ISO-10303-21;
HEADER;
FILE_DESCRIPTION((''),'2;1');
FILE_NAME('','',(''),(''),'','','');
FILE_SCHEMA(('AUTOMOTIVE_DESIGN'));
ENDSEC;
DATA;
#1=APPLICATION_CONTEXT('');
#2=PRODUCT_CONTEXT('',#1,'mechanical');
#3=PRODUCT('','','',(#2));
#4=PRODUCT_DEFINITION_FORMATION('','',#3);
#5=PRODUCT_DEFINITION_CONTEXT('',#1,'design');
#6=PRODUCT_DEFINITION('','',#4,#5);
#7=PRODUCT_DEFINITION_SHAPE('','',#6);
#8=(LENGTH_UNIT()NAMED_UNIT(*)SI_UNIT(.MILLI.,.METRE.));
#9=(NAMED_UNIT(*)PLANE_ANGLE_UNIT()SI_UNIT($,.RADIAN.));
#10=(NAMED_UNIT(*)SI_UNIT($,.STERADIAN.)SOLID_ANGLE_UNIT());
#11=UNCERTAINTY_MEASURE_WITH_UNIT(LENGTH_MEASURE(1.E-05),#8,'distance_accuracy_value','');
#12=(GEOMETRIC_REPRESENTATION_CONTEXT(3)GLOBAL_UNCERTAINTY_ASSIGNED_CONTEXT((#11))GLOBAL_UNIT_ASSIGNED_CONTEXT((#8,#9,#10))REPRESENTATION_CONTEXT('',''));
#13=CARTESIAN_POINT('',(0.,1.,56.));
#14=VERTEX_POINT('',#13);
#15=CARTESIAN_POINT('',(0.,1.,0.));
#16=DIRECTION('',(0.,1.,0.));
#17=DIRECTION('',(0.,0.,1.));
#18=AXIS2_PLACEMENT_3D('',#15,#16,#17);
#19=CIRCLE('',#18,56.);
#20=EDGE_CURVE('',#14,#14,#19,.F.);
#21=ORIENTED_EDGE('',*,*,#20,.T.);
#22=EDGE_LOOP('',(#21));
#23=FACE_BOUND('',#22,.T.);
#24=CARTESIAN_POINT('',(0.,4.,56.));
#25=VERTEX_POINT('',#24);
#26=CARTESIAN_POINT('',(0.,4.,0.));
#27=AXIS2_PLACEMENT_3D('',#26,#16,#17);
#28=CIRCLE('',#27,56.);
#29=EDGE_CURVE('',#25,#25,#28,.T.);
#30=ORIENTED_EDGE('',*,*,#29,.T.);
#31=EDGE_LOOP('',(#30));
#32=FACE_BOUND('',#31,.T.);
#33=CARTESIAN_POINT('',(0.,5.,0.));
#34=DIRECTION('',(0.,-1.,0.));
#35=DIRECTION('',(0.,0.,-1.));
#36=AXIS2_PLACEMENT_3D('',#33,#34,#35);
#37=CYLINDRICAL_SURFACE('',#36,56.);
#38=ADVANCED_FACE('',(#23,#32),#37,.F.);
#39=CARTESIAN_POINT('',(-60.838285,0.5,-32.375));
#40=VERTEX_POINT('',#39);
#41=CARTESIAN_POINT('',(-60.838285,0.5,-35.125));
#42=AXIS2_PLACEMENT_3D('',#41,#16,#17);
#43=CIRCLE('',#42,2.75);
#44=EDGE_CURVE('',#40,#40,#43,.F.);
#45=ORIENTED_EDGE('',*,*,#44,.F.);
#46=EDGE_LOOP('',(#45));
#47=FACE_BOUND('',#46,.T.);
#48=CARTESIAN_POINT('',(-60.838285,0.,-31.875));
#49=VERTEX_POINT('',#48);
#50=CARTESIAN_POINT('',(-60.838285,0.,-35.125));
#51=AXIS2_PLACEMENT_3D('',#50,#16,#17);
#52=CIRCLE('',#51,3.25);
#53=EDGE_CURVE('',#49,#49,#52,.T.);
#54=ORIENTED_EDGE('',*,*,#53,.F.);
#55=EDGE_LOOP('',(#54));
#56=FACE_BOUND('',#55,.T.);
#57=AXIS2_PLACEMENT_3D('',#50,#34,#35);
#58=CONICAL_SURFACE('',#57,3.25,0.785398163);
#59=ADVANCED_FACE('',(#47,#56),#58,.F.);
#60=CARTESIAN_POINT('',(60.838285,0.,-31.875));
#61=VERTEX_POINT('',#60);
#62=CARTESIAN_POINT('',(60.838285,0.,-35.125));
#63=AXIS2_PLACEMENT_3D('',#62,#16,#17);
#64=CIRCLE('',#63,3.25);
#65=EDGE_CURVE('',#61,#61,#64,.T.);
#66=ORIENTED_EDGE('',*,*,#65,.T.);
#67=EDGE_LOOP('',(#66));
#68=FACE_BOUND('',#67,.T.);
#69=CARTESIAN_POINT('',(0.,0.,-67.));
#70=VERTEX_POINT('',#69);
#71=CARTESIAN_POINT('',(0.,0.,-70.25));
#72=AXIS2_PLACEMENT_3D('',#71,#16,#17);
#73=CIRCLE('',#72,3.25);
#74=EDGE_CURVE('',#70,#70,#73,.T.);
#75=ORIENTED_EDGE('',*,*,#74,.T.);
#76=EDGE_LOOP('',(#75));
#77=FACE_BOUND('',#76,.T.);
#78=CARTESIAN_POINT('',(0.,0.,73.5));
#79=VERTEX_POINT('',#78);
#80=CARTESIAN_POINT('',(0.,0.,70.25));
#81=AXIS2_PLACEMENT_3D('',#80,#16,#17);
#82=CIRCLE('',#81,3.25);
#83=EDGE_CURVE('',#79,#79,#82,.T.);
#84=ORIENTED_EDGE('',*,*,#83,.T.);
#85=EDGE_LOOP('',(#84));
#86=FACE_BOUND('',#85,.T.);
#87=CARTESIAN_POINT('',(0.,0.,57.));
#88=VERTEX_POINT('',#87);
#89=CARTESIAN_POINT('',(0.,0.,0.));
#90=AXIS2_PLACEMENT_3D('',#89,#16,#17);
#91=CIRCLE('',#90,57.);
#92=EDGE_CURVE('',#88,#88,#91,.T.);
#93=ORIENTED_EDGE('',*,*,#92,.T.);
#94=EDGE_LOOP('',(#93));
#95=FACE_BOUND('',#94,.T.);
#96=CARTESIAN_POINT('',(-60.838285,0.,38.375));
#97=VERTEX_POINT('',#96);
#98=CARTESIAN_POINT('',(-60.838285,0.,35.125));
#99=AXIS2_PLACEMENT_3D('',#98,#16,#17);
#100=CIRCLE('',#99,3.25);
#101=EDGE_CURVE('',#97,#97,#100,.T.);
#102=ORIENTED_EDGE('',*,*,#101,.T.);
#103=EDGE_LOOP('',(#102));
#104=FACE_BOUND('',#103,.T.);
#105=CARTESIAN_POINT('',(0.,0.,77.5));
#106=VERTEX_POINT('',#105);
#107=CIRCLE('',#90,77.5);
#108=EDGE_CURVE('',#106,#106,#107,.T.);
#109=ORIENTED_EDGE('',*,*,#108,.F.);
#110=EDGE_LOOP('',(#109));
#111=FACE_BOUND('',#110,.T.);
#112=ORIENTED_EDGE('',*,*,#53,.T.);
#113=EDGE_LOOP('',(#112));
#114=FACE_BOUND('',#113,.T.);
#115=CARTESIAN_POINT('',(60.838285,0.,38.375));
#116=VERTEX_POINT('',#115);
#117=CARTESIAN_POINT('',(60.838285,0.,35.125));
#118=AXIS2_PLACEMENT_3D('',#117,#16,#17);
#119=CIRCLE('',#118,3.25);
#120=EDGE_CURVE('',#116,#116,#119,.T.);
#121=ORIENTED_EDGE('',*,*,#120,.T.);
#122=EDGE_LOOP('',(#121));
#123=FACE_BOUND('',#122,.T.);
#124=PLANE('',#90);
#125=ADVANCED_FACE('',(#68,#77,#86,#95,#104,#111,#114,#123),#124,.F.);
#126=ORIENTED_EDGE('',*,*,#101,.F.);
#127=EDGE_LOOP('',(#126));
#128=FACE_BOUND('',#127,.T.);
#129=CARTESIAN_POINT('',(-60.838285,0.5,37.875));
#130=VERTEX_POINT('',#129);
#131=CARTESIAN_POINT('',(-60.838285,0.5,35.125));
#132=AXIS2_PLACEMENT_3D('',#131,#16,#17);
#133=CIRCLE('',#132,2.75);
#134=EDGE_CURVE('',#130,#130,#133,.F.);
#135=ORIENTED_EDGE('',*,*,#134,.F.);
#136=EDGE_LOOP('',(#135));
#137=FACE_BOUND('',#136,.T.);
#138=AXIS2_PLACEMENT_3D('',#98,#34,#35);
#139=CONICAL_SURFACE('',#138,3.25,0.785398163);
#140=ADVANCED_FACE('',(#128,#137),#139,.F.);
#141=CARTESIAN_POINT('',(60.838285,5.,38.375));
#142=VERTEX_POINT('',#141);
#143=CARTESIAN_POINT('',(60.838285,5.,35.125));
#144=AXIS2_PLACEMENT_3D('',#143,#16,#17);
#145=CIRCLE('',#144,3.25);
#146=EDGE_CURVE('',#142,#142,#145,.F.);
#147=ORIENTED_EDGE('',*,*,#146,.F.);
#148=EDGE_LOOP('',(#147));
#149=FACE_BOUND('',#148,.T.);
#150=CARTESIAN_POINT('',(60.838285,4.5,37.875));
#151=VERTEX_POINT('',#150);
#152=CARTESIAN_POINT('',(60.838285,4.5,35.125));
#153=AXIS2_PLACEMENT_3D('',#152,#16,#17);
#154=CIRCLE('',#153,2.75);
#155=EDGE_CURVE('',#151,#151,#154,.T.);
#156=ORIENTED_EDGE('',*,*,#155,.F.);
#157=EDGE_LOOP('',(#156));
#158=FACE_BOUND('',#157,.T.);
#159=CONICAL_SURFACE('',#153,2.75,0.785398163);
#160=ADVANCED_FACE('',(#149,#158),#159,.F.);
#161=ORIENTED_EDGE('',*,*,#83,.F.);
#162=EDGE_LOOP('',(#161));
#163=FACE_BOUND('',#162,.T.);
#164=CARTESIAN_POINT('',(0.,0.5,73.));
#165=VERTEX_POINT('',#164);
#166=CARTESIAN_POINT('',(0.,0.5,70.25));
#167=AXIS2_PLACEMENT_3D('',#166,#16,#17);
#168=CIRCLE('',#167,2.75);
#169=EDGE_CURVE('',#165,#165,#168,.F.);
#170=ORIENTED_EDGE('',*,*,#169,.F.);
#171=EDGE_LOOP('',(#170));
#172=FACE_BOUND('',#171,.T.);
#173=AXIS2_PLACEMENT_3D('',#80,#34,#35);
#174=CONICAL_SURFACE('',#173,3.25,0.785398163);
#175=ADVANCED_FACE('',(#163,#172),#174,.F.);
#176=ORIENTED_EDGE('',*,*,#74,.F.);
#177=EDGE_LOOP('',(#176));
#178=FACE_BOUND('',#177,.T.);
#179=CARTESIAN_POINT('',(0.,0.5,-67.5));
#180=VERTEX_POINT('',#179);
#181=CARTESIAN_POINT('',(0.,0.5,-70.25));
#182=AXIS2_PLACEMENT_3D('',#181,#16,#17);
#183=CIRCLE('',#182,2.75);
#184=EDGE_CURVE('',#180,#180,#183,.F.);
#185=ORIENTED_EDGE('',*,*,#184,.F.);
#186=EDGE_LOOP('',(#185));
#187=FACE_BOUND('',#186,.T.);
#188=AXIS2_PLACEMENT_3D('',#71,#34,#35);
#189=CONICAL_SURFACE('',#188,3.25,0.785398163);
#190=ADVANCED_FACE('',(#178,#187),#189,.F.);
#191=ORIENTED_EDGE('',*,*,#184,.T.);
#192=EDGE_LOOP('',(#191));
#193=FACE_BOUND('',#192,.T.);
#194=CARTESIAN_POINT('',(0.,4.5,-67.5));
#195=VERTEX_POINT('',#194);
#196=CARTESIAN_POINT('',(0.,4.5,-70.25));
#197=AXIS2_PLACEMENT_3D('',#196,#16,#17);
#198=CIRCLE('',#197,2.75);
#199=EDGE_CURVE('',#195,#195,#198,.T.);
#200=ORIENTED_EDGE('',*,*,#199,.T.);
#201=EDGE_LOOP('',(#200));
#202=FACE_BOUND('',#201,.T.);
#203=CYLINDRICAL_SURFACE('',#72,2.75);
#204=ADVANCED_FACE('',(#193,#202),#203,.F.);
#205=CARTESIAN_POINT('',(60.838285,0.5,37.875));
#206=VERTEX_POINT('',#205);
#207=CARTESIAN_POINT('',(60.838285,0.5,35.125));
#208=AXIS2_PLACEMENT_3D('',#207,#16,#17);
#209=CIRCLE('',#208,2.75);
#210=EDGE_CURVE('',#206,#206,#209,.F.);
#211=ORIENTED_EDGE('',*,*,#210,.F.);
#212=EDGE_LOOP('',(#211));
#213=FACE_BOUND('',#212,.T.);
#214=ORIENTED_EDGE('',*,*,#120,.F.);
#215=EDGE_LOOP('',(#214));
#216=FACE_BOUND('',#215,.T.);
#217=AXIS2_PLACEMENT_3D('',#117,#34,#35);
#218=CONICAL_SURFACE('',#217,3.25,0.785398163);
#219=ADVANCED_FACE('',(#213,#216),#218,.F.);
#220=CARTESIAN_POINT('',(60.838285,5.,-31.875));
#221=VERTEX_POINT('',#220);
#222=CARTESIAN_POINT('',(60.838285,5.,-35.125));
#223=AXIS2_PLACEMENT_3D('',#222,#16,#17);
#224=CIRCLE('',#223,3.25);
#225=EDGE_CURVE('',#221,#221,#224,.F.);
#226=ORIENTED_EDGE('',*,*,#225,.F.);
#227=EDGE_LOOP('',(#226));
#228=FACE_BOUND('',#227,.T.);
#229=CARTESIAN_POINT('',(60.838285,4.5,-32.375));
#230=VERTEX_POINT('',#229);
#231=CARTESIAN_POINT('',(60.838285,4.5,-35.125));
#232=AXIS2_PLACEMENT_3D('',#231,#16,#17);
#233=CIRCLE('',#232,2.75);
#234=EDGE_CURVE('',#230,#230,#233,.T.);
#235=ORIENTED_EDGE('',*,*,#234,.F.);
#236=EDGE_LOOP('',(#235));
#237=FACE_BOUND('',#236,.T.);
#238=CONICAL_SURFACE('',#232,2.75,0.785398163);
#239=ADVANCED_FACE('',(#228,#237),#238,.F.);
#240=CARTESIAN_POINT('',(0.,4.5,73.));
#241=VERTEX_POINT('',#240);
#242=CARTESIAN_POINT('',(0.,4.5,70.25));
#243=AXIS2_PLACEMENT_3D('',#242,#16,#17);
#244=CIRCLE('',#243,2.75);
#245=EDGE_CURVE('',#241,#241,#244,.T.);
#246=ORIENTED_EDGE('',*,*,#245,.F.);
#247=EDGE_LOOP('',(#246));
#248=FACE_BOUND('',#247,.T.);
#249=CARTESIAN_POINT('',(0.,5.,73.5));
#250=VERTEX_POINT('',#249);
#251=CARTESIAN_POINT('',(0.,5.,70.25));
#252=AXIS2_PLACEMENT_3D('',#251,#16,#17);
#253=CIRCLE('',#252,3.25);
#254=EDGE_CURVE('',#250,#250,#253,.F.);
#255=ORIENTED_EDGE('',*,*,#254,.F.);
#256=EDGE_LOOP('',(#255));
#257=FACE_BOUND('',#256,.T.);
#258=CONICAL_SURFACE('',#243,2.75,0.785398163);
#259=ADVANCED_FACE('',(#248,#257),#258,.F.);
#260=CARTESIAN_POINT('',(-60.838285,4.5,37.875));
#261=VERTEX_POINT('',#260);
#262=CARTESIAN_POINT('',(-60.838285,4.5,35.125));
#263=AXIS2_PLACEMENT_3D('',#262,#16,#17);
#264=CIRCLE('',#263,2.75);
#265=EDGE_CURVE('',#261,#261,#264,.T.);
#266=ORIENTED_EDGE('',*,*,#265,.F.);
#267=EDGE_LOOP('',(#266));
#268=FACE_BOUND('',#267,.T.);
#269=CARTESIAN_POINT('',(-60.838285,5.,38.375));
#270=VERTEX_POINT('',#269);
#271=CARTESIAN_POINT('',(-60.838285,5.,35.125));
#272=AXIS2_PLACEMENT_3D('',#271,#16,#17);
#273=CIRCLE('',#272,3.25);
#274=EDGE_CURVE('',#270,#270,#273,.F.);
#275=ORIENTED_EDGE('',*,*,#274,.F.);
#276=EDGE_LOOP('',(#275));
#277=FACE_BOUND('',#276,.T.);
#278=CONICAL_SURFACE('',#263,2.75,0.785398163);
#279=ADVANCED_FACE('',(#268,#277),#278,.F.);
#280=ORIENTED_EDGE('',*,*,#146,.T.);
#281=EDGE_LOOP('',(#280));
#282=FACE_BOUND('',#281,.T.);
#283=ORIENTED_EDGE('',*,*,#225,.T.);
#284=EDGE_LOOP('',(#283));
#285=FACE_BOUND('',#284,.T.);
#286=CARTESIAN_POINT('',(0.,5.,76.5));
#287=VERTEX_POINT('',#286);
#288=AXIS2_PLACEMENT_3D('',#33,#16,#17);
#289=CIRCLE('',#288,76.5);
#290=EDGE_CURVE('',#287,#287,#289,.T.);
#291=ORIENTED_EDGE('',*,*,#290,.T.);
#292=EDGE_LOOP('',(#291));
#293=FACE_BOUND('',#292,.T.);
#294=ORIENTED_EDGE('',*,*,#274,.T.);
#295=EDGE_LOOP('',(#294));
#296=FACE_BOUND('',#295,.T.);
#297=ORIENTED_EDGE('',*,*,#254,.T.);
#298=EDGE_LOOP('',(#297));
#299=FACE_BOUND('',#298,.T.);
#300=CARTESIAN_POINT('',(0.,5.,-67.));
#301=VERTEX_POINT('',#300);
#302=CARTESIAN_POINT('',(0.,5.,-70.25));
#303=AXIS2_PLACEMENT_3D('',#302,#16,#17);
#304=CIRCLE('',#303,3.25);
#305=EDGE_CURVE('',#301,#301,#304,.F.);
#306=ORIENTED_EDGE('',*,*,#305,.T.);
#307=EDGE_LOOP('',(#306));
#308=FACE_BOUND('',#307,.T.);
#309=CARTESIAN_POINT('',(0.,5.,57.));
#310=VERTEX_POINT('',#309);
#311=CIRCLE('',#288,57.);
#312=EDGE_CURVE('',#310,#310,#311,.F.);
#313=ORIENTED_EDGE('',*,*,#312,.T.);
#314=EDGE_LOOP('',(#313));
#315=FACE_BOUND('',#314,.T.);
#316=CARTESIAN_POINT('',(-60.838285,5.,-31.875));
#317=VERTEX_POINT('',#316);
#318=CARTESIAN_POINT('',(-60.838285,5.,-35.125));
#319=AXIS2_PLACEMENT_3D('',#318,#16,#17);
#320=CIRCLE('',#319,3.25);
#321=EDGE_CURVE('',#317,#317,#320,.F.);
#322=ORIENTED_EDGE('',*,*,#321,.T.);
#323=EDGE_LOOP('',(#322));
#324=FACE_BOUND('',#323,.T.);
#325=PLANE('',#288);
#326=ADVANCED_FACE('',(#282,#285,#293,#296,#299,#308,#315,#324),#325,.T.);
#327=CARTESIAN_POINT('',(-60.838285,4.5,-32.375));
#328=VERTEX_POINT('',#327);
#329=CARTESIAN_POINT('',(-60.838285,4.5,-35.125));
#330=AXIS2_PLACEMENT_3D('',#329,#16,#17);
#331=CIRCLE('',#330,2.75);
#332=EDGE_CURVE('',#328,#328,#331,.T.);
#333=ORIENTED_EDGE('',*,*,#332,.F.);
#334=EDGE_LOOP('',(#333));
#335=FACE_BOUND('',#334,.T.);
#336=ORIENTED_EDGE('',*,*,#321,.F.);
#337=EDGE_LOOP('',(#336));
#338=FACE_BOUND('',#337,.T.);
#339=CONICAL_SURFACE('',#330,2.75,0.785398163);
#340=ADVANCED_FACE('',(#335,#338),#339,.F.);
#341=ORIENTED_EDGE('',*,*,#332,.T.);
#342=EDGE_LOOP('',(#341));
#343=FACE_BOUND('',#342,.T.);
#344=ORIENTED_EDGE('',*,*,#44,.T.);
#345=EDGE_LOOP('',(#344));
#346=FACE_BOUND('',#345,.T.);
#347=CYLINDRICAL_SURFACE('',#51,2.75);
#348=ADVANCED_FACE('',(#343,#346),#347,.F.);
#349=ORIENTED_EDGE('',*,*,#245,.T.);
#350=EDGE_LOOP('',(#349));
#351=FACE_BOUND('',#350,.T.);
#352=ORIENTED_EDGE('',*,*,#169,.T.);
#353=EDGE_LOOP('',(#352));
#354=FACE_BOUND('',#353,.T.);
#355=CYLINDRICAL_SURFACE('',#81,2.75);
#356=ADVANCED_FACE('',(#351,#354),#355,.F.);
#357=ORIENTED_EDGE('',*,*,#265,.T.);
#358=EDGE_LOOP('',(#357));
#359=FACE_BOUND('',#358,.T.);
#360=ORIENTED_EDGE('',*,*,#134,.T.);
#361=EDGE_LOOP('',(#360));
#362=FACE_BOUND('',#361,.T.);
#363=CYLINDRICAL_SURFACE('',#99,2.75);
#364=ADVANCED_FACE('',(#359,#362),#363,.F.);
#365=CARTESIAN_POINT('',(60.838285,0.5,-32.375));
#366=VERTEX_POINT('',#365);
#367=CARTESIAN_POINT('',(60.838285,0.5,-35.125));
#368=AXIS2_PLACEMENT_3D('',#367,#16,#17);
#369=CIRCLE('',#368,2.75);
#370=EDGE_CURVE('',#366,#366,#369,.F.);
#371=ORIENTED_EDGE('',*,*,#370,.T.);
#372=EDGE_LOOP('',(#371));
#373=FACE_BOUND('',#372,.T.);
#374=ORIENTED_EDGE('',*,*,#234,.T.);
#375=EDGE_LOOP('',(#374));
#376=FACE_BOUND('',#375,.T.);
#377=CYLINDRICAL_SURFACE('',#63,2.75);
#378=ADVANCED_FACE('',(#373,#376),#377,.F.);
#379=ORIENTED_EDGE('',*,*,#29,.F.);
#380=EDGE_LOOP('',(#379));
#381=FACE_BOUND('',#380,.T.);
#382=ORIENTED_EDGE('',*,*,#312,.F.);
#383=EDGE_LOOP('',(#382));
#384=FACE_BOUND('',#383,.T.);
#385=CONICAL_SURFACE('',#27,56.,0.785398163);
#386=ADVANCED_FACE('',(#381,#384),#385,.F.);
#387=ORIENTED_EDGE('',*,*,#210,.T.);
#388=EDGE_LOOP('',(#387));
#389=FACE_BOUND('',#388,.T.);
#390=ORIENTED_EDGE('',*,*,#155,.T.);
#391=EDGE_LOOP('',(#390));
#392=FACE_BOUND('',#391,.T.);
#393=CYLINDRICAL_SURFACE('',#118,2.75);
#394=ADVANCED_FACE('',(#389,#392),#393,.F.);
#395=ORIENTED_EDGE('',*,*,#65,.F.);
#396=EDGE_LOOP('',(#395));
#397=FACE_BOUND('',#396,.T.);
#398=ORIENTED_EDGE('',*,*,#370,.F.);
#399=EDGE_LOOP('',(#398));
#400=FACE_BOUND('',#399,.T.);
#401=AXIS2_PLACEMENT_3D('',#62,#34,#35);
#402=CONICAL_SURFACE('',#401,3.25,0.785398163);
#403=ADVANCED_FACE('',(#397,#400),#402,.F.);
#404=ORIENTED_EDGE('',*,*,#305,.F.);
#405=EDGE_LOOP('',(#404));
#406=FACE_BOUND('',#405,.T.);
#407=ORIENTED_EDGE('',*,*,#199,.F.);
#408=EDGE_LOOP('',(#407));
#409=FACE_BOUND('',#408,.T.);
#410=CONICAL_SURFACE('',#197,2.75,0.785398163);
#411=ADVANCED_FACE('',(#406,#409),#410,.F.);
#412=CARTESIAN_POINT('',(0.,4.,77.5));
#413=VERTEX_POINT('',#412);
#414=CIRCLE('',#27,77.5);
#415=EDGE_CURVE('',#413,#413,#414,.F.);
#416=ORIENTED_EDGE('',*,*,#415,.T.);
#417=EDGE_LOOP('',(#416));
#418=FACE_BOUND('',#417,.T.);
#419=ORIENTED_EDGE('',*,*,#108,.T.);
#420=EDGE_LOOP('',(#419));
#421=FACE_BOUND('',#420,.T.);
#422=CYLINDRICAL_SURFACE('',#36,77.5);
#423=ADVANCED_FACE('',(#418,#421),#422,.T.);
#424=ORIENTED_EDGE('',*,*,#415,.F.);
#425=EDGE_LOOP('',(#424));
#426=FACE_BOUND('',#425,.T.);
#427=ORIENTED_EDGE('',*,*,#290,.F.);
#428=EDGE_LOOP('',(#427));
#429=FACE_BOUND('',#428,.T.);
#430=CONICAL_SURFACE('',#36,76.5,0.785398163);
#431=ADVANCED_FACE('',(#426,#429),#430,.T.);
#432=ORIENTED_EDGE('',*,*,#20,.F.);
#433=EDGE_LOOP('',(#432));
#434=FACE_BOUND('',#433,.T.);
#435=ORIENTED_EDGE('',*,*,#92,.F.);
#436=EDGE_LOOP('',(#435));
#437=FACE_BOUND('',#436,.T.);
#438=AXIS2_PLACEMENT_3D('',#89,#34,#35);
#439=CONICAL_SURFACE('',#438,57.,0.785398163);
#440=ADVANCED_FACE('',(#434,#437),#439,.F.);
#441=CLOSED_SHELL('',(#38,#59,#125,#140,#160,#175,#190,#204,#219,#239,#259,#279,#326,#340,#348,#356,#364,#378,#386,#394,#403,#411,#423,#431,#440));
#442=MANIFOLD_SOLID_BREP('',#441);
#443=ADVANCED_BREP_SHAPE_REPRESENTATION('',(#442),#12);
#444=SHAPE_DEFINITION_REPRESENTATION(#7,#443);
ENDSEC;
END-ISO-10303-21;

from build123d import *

# Parameters (mm, degrees)
SKETCH1_R                    = 77.5
SKETCH1_R_2                  = 56
BOSS_EXTRUDE1_DEPTH          = 5
SKETCH2_R                    = 2.75
CUT_EXTRUDE2_DEPTH           = 110.715541287
CHAMFER1_SIZE                = 0.5
CIRPATTERN1_COUNT            = 6
CHAMFER1_OF_CIRPATTERN1_SIZE = 0.5
CHAMFER2_SIZE                = 1


with BuildPart() as part:
    # Sketch1 → Boss-Extrude1 (new body)
    with BuildSketch(Plane(origin=(0, 0, 0), x_dir=(1, 0, 0), z_dir=(0, 1, 0))):
        with Locations(Location((0, 0, 0), (0, 0, 270))):
            Circle(SKETCH1_R)
        with Locations(Location((0, 0, 0), (0, 0, 270))):
            Circle(SKETCH1_R_2, mode=Mode.SUBTRACT)
    extrude(amount=BOSS_EXTRUDE1_DEPTH)

    # Sketch2 → Cut-Extrude2 (cut, through all)
    with BuildSketch(Plane(origin=(0, 5, 0), x_dir=(1, 0, 0), z_dir=(0, 1, 0))):
        with Locations(Location((0, 70.25, 0), (0, 0, 270))):
            Circle(SKETCH2_R)
    cut_extrude2 = extrude(amount=-CUT_EXTRUDE2_DEPTH, mode=Mode.SUBTRACT)

    # Chamfer1
    chamfer1_edges = [part.edges().sort_by_distance(p)[0] for p in [
        (0, 0, -73),
        (0, 5, -73),
    ]]
    chamfer(chamfer1_edges, length=CHAMFER1_SIZE)

    # CirPattern1: Cut-Extrude2 ×6 about axis
    cirpattern1_axis = Axis((0, 0, 0), (0, 1, 0))
    for i in range(1, CIRPATTERN1_COUNT):
        add(cut_extrude2.rotate(cirpattern1_axis, i * 360 / CIRPATTERN1_COUNT), mode=Mode.SUBTRACT)

    # Chamfer1 of CirPattern1
    chamfer1_of_cirpattern1_edges = [part.edges().sort_by_distance(p)[0] for p in [
        (-63.219854476, 0, -36.5),
        (-63.219854476, 5, -36.5),
        (-63.219854476, 0, 36.5),
        (-63.219854476, 5, 36.5),
        (0, 0, 73),
        (0, 5, 73),
        (63.219854476, 0, 36.5),
        (63.219854476, 5, 36.5),
        (63.219854476, 0, -36.5),
        (63.219854476, 5, -36.5),
    ]]
    chamfer(chamfer1_of_cirpattern1_edges, length=CHAMFER1_OF_CIRPATTERN1_SIZE)

    # Chamfer2
    chamfer2_edges = [part.edges().sort_by_distance(p)[0] for p in [
        (0, 5, -77.5),
        (0, 0, -56),
        (0, 5, -56),
    ]]
    chamfer(chamfer2_edges, length=CHAMFER2_SIZE)


solid = part.part
